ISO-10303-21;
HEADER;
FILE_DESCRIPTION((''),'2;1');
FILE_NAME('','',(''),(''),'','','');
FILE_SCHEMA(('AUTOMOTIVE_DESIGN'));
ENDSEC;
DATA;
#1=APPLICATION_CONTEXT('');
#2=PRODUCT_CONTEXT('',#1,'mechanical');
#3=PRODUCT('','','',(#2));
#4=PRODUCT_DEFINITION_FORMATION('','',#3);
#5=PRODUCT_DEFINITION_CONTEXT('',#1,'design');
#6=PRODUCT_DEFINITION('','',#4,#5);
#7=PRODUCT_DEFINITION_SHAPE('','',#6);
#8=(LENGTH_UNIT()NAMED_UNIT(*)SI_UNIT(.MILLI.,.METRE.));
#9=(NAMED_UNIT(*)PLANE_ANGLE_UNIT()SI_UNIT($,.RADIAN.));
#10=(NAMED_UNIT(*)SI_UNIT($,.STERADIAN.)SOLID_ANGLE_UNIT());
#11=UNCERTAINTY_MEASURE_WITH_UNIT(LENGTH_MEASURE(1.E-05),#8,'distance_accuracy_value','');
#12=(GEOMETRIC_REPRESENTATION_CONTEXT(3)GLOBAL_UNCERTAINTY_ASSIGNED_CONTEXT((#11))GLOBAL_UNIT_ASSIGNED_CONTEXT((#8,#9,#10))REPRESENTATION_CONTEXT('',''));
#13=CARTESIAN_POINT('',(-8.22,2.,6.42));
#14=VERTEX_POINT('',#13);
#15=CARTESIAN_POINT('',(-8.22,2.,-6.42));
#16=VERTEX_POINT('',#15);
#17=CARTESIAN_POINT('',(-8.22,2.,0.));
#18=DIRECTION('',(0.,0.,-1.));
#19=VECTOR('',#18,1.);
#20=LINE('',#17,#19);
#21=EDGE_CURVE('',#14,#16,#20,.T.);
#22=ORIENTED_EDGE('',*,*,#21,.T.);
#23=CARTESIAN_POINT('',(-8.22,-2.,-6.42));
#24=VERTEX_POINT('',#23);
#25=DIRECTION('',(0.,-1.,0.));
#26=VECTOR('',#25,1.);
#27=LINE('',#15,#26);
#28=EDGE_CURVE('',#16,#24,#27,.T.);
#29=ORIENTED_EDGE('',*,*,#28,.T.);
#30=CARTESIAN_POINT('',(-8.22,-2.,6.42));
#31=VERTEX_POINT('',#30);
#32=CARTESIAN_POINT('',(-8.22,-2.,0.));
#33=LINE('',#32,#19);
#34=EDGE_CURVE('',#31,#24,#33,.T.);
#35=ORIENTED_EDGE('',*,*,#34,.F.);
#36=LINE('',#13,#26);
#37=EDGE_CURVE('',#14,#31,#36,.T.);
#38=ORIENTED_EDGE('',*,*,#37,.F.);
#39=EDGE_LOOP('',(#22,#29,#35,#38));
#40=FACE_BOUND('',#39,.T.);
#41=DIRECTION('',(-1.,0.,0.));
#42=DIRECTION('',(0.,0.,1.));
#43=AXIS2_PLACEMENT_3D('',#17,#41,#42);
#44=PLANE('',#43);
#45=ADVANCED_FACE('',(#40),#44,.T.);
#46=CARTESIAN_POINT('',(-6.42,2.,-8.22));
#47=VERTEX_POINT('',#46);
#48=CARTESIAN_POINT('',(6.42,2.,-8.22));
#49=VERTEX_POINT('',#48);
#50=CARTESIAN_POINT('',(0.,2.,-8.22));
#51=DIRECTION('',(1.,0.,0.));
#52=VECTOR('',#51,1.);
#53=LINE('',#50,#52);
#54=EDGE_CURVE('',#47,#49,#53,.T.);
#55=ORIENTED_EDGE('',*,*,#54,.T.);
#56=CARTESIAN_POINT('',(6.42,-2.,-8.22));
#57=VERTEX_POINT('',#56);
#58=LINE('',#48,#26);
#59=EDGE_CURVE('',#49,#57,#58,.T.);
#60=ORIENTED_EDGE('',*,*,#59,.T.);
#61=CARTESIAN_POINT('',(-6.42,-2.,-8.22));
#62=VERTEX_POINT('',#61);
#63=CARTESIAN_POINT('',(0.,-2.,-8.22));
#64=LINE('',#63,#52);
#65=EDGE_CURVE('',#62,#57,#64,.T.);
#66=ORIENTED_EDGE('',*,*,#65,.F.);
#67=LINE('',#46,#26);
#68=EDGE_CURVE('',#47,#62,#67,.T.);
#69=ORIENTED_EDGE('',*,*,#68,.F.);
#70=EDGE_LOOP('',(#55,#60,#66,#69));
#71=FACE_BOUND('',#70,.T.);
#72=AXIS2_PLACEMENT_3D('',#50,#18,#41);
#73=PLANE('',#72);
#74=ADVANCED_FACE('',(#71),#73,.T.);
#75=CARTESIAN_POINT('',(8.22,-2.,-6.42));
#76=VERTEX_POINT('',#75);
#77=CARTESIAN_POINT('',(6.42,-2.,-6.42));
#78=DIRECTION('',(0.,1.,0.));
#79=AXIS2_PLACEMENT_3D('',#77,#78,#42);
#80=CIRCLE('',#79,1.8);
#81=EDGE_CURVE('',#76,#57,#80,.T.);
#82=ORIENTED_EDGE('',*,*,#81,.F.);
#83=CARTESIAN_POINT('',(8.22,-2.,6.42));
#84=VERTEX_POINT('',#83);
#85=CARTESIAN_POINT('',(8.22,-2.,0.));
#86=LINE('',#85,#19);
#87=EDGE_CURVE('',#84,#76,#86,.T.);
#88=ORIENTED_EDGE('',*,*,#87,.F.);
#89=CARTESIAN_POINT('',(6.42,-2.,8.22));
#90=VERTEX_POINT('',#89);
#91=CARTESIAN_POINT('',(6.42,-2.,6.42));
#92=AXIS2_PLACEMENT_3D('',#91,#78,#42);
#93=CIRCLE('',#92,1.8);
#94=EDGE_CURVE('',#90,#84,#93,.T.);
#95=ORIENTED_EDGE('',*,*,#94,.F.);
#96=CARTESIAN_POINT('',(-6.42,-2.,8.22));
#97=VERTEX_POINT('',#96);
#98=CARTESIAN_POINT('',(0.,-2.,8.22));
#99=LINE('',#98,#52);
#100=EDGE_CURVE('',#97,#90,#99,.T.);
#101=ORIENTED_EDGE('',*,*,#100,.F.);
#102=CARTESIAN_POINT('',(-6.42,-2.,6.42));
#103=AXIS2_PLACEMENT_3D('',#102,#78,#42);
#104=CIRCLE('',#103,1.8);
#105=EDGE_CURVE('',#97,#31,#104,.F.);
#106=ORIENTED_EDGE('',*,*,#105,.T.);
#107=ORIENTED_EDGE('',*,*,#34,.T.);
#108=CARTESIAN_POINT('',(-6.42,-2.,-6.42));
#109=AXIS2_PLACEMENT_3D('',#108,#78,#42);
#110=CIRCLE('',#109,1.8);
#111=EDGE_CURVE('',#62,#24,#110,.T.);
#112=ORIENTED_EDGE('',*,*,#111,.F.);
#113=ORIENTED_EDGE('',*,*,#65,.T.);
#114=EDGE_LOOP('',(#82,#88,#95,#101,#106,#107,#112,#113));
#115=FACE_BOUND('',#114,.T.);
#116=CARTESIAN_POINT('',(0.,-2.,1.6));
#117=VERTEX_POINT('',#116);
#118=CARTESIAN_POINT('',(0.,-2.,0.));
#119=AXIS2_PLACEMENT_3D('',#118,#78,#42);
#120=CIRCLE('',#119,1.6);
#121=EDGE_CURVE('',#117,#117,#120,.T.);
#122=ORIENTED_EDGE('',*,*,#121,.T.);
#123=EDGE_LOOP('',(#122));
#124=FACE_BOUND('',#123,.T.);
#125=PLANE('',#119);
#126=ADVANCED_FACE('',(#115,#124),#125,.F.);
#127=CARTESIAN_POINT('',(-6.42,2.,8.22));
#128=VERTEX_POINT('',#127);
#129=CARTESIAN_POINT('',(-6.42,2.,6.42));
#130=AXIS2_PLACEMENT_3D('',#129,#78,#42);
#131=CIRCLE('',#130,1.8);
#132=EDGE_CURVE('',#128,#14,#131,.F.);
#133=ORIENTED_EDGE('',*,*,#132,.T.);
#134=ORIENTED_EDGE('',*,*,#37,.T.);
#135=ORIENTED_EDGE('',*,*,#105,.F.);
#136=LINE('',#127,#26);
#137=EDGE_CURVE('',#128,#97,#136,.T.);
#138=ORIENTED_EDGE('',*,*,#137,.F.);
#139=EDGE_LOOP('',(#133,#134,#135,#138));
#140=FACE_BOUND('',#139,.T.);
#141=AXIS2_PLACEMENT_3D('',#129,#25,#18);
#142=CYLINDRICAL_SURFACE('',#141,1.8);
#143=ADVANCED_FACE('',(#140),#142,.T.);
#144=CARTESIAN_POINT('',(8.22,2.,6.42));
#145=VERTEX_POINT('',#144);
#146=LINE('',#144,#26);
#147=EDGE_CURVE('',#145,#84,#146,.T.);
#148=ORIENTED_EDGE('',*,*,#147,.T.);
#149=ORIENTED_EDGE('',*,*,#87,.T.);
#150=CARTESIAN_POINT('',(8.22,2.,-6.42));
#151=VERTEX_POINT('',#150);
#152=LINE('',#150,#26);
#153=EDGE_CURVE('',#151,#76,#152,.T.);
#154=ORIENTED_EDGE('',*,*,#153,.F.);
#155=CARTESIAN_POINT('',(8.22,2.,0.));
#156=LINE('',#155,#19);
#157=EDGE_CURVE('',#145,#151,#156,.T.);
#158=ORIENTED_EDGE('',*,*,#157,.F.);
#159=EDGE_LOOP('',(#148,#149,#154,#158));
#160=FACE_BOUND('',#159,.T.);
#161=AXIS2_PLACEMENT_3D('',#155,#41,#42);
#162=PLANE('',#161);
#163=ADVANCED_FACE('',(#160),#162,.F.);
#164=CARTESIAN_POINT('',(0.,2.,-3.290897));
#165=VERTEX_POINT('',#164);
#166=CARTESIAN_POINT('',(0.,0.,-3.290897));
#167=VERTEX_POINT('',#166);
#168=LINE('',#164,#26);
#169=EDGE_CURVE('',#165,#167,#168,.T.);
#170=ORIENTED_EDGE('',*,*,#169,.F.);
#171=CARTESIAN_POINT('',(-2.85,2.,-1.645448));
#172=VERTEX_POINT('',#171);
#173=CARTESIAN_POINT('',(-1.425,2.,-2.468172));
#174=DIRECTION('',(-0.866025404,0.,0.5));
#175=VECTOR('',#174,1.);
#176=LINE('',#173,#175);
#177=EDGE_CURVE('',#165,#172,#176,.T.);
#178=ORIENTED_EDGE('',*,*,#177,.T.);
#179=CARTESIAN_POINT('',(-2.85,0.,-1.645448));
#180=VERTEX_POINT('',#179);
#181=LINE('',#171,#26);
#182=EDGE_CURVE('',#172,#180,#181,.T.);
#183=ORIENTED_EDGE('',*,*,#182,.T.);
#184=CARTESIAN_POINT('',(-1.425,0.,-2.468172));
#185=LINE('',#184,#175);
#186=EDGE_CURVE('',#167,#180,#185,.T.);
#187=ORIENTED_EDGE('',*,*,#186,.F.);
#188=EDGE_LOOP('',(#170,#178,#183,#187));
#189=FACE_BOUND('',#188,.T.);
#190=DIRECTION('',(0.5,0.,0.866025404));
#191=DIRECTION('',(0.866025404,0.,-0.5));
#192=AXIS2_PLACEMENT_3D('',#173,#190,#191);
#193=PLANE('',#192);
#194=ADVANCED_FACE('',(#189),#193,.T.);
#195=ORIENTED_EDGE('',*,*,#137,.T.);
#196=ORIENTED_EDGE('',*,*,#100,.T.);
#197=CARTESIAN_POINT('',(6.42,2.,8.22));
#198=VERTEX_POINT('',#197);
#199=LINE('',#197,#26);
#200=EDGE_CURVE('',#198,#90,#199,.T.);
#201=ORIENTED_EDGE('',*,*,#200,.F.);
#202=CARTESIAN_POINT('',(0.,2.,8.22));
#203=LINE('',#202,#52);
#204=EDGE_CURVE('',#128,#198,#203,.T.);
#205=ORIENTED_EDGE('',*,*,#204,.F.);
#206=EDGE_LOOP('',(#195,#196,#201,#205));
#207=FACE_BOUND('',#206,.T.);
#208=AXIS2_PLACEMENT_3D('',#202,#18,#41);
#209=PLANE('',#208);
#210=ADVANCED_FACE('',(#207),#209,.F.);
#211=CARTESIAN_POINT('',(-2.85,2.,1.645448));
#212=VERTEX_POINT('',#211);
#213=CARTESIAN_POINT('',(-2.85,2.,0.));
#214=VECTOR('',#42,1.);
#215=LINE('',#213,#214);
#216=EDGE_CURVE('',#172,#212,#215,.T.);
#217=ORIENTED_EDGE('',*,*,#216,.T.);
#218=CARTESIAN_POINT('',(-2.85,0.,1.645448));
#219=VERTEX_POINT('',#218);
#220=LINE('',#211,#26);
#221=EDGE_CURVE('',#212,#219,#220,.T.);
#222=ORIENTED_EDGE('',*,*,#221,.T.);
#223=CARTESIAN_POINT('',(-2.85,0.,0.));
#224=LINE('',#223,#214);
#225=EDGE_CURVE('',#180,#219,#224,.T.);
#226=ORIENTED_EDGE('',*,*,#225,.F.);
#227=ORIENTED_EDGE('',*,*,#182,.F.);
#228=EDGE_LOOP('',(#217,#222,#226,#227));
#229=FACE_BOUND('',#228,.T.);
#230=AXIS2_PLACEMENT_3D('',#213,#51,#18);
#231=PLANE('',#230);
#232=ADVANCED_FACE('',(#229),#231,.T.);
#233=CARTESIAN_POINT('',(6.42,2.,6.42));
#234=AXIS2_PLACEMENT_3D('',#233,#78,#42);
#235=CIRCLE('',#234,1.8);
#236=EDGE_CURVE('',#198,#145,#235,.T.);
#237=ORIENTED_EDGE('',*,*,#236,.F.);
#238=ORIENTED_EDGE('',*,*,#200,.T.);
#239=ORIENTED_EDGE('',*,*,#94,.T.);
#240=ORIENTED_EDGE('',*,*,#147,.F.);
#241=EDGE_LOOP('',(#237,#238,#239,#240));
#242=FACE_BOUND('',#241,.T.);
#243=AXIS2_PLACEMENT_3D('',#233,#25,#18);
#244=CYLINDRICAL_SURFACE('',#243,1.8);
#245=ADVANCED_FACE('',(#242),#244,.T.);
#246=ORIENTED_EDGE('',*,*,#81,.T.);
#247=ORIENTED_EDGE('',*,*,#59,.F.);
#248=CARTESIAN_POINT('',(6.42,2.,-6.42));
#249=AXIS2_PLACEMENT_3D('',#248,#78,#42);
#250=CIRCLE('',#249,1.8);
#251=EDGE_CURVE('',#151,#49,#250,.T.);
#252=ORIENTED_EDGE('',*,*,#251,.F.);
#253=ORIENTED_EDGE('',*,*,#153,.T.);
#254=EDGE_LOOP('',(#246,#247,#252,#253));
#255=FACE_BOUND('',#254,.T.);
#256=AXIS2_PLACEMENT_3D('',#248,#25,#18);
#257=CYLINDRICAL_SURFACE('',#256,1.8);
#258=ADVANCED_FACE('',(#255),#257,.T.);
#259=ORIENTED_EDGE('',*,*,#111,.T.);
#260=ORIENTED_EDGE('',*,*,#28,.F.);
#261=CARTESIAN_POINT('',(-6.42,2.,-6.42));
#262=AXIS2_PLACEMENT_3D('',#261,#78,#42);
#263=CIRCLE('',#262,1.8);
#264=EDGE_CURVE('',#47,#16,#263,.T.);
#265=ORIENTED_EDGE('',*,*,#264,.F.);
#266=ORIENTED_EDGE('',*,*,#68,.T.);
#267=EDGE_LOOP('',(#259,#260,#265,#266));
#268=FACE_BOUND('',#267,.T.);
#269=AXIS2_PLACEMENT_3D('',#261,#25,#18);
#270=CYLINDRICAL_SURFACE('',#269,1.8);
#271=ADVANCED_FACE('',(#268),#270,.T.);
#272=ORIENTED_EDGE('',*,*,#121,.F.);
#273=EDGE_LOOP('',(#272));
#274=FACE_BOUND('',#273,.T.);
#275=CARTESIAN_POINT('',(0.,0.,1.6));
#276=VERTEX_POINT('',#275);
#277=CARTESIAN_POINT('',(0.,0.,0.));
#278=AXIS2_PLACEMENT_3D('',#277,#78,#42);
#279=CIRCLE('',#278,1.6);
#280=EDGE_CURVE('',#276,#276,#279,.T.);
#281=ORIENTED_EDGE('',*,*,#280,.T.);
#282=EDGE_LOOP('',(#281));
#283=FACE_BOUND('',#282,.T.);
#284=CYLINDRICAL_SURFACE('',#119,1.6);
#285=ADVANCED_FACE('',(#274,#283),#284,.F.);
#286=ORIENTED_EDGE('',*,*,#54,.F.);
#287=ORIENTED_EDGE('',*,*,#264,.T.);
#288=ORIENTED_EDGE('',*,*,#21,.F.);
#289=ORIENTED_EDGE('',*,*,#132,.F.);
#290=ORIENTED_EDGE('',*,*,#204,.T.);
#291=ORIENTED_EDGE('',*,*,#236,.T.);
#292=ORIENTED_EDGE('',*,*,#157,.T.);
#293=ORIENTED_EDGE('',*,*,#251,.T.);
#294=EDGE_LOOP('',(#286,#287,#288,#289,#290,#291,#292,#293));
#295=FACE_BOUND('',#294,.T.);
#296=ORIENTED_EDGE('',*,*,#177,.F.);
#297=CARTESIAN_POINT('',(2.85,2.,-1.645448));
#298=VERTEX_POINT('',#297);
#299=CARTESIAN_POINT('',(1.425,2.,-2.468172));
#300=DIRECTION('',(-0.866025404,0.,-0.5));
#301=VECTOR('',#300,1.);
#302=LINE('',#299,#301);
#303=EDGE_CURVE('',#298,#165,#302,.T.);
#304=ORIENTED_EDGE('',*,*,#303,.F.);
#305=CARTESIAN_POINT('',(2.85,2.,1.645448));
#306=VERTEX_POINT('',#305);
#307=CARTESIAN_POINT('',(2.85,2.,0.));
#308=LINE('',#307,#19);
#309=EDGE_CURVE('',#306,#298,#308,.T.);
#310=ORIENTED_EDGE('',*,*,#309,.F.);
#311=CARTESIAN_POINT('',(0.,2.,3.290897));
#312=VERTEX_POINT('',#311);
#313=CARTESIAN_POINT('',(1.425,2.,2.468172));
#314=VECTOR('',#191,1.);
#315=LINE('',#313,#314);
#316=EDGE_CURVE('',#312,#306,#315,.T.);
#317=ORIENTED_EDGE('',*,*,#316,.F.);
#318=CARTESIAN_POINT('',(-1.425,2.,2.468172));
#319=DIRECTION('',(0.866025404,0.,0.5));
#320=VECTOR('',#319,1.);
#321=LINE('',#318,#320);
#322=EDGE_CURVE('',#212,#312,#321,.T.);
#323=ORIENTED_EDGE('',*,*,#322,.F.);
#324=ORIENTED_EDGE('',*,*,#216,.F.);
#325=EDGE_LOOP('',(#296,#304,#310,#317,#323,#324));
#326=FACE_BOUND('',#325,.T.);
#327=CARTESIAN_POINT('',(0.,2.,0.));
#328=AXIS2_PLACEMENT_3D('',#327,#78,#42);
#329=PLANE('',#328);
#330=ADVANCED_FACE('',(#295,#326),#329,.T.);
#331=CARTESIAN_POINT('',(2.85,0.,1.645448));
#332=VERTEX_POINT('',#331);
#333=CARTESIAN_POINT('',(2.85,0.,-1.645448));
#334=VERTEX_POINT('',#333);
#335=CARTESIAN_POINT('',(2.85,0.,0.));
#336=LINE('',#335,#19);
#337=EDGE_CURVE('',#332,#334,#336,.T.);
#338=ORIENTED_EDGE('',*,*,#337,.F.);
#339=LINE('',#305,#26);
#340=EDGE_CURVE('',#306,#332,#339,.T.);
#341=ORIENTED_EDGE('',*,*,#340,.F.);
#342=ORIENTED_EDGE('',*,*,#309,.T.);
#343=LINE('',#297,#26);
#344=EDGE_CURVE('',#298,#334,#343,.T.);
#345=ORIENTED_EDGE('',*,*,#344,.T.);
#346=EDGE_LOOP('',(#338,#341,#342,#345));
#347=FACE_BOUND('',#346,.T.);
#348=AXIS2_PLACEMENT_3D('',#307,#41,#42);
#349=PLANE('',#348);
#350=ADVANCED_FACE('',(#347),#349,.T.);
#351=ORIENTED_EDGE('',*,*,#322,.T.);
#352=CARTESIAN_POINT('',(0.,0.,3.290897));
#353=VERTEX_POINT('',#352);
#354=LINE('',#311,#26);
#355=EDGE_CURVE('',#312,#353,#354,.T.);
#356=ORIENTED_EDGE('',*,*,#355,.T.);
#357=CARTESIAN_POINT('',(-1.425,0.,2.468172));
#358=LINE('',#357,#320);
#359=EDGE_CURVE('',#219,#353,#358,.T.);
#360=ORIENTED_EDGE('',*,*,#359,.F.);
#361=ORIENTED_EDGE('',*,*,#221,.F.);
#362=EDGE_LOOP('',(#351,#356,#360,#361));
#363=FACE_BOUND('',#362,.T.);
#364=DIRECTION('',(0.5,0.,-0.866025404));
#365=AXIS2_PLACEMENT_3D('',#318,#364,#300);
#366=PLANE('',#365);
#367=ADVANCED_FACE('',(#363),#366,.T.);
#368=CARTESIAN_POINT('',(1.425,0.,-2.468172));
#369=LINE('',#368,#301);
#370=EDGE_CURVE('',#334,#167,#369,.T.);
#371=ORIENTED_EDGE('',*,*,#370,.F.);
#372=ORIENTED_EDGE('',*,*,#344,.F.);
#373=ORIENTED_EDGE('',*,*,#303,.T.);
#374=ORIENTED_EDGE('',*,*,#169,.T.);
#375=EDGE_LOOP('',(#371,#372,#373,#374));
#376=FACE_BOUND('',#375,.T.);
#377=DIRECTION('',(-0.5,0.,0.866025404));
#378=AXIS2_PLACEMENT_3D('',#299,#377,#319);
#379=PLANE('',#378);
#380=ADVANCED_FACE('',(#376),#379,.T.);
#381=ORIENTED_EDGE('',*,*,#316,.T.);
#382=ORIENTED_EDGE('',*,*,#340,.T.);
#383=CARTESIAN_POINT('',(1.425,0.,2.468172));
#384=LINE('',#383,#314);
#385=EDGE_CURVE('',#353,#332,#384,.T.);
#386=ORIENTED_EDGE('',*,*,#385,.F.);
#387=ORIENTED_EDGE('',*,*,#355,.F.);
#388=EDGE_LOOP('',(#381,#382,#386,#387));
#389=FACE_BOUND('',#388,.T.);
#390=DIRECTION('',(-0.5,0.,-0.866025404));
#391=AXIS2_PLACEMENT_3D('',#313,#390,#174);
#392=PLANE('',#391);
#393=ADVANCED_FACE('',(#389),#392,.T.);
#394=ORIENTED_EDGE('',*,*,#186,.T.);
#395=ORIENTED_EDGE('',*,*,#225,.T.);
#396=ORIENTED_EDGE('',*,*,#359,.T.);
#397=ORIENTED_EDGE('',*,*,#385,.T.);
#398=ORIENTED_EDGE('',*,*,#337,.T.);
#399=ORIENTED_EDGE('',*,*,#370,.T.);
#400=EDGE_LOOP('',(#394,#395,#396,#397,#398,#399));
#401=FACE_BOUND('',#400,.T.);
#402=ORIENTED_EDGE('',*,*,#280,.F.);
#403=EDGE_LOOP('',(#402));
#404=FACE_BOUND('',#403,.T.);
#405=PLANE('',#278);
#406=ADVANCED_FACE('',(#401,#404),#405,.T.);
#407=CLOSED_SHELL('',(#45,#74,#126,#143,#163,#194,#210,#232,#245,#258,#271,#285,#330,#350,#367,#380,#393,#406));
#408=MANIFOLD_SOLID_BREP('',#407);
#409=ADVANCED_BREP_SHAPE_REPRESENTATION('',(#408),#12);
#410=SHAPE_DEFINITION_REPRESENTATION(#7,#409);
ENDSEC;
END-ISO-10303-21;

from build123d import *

# Parameters (mm, degrees)
EXTRUDE_5_DEPTH = 2
EXTRUDE_START   = -2
SKETCH_1_7_R    = 1.6
EXTRUDE_6_DEPTH = 2


with BuildPart() as part:
    # 草图1 → 凸台-拉伸5 (new body)
    with BuildSketch(Plane(origin=(0, 0, 0), x_dir=(1, 0, 0), z_dir=(0, 1, 0))):
        with BuildLine():
            Line((-8.22, 6.42), (-8.22, -6.42))
            ThreePointArc((-8.22, -6.42), (-7.692792206, -7.692792206), (-6.42, -8.22))
            Line((-6.42, -8.22), (6.42, -8.22))
            ThreePointArc((6.42, -8.22), (7.692792206, -7.692792206), (8.22, -6.42))
            Line((8.22, -6.42), (8.22, 6.42))
            ThreePointArc((8.22, 6.42), (7.692792206, 7.692792206), (6.42, 8.22))
            Line((6.42, 8.22), (-6.42, 8.22))
            ThreePointArc((-6.42, 8.22), (-7.692792206, 7.692792206), (-8.22, 6.42))
        make_face()
        Polygon((2.85, -1.645448267), (0, -3.290896534), (-2.85, -1.645448267), (-2.85, 1.645448267), (0, 3.290896534), (2.85, 1.645448267), align=None, mode=Mode.SUBTRACT)
    extrude(amount=EXTRUDE_5_DEPTH)

    # 草图1<7> → 凸台-拉伸6 (add)
    with BuildSketch(Plane(origin=(0, 0, 0), x_dir=(1, 0, 0), z_dir=(0, 1, 0)).offset(EXTRUDE_START)):
        with BuildLine():
            Line((-8.22, 6.42), (-8.22, -6.42))
            ThreePointArc((-8.22, -6.42), (-7.692792206, -7.692792206), (-6.42, -8.22))
            Line((-6.42, -8.22), (6.42, -8.22))
            ThreePointArc((6.42, -8.22), (7.692792206, -7.692792206), (8.22, -6.42))
            Line((8.22, -6.42), (8.22, 6.42))
            ThreePointArc((8.22, 6.42), (7.692792206, 7.692792206), (6.42, 8.22))
            Line((6.42, 8.22), (-6.42, 8.22))
            ThreePointArc((-6.42, 8.22), (-7.692792206, 7.692792206), (-8.22, 6.42))
        make_face()
        Circle(SKETCH_1_7_R, mode=Mode.SUBTRACT)
    extrude(amount=EXTRUDE_6_DEPTH)


solid = part.part
